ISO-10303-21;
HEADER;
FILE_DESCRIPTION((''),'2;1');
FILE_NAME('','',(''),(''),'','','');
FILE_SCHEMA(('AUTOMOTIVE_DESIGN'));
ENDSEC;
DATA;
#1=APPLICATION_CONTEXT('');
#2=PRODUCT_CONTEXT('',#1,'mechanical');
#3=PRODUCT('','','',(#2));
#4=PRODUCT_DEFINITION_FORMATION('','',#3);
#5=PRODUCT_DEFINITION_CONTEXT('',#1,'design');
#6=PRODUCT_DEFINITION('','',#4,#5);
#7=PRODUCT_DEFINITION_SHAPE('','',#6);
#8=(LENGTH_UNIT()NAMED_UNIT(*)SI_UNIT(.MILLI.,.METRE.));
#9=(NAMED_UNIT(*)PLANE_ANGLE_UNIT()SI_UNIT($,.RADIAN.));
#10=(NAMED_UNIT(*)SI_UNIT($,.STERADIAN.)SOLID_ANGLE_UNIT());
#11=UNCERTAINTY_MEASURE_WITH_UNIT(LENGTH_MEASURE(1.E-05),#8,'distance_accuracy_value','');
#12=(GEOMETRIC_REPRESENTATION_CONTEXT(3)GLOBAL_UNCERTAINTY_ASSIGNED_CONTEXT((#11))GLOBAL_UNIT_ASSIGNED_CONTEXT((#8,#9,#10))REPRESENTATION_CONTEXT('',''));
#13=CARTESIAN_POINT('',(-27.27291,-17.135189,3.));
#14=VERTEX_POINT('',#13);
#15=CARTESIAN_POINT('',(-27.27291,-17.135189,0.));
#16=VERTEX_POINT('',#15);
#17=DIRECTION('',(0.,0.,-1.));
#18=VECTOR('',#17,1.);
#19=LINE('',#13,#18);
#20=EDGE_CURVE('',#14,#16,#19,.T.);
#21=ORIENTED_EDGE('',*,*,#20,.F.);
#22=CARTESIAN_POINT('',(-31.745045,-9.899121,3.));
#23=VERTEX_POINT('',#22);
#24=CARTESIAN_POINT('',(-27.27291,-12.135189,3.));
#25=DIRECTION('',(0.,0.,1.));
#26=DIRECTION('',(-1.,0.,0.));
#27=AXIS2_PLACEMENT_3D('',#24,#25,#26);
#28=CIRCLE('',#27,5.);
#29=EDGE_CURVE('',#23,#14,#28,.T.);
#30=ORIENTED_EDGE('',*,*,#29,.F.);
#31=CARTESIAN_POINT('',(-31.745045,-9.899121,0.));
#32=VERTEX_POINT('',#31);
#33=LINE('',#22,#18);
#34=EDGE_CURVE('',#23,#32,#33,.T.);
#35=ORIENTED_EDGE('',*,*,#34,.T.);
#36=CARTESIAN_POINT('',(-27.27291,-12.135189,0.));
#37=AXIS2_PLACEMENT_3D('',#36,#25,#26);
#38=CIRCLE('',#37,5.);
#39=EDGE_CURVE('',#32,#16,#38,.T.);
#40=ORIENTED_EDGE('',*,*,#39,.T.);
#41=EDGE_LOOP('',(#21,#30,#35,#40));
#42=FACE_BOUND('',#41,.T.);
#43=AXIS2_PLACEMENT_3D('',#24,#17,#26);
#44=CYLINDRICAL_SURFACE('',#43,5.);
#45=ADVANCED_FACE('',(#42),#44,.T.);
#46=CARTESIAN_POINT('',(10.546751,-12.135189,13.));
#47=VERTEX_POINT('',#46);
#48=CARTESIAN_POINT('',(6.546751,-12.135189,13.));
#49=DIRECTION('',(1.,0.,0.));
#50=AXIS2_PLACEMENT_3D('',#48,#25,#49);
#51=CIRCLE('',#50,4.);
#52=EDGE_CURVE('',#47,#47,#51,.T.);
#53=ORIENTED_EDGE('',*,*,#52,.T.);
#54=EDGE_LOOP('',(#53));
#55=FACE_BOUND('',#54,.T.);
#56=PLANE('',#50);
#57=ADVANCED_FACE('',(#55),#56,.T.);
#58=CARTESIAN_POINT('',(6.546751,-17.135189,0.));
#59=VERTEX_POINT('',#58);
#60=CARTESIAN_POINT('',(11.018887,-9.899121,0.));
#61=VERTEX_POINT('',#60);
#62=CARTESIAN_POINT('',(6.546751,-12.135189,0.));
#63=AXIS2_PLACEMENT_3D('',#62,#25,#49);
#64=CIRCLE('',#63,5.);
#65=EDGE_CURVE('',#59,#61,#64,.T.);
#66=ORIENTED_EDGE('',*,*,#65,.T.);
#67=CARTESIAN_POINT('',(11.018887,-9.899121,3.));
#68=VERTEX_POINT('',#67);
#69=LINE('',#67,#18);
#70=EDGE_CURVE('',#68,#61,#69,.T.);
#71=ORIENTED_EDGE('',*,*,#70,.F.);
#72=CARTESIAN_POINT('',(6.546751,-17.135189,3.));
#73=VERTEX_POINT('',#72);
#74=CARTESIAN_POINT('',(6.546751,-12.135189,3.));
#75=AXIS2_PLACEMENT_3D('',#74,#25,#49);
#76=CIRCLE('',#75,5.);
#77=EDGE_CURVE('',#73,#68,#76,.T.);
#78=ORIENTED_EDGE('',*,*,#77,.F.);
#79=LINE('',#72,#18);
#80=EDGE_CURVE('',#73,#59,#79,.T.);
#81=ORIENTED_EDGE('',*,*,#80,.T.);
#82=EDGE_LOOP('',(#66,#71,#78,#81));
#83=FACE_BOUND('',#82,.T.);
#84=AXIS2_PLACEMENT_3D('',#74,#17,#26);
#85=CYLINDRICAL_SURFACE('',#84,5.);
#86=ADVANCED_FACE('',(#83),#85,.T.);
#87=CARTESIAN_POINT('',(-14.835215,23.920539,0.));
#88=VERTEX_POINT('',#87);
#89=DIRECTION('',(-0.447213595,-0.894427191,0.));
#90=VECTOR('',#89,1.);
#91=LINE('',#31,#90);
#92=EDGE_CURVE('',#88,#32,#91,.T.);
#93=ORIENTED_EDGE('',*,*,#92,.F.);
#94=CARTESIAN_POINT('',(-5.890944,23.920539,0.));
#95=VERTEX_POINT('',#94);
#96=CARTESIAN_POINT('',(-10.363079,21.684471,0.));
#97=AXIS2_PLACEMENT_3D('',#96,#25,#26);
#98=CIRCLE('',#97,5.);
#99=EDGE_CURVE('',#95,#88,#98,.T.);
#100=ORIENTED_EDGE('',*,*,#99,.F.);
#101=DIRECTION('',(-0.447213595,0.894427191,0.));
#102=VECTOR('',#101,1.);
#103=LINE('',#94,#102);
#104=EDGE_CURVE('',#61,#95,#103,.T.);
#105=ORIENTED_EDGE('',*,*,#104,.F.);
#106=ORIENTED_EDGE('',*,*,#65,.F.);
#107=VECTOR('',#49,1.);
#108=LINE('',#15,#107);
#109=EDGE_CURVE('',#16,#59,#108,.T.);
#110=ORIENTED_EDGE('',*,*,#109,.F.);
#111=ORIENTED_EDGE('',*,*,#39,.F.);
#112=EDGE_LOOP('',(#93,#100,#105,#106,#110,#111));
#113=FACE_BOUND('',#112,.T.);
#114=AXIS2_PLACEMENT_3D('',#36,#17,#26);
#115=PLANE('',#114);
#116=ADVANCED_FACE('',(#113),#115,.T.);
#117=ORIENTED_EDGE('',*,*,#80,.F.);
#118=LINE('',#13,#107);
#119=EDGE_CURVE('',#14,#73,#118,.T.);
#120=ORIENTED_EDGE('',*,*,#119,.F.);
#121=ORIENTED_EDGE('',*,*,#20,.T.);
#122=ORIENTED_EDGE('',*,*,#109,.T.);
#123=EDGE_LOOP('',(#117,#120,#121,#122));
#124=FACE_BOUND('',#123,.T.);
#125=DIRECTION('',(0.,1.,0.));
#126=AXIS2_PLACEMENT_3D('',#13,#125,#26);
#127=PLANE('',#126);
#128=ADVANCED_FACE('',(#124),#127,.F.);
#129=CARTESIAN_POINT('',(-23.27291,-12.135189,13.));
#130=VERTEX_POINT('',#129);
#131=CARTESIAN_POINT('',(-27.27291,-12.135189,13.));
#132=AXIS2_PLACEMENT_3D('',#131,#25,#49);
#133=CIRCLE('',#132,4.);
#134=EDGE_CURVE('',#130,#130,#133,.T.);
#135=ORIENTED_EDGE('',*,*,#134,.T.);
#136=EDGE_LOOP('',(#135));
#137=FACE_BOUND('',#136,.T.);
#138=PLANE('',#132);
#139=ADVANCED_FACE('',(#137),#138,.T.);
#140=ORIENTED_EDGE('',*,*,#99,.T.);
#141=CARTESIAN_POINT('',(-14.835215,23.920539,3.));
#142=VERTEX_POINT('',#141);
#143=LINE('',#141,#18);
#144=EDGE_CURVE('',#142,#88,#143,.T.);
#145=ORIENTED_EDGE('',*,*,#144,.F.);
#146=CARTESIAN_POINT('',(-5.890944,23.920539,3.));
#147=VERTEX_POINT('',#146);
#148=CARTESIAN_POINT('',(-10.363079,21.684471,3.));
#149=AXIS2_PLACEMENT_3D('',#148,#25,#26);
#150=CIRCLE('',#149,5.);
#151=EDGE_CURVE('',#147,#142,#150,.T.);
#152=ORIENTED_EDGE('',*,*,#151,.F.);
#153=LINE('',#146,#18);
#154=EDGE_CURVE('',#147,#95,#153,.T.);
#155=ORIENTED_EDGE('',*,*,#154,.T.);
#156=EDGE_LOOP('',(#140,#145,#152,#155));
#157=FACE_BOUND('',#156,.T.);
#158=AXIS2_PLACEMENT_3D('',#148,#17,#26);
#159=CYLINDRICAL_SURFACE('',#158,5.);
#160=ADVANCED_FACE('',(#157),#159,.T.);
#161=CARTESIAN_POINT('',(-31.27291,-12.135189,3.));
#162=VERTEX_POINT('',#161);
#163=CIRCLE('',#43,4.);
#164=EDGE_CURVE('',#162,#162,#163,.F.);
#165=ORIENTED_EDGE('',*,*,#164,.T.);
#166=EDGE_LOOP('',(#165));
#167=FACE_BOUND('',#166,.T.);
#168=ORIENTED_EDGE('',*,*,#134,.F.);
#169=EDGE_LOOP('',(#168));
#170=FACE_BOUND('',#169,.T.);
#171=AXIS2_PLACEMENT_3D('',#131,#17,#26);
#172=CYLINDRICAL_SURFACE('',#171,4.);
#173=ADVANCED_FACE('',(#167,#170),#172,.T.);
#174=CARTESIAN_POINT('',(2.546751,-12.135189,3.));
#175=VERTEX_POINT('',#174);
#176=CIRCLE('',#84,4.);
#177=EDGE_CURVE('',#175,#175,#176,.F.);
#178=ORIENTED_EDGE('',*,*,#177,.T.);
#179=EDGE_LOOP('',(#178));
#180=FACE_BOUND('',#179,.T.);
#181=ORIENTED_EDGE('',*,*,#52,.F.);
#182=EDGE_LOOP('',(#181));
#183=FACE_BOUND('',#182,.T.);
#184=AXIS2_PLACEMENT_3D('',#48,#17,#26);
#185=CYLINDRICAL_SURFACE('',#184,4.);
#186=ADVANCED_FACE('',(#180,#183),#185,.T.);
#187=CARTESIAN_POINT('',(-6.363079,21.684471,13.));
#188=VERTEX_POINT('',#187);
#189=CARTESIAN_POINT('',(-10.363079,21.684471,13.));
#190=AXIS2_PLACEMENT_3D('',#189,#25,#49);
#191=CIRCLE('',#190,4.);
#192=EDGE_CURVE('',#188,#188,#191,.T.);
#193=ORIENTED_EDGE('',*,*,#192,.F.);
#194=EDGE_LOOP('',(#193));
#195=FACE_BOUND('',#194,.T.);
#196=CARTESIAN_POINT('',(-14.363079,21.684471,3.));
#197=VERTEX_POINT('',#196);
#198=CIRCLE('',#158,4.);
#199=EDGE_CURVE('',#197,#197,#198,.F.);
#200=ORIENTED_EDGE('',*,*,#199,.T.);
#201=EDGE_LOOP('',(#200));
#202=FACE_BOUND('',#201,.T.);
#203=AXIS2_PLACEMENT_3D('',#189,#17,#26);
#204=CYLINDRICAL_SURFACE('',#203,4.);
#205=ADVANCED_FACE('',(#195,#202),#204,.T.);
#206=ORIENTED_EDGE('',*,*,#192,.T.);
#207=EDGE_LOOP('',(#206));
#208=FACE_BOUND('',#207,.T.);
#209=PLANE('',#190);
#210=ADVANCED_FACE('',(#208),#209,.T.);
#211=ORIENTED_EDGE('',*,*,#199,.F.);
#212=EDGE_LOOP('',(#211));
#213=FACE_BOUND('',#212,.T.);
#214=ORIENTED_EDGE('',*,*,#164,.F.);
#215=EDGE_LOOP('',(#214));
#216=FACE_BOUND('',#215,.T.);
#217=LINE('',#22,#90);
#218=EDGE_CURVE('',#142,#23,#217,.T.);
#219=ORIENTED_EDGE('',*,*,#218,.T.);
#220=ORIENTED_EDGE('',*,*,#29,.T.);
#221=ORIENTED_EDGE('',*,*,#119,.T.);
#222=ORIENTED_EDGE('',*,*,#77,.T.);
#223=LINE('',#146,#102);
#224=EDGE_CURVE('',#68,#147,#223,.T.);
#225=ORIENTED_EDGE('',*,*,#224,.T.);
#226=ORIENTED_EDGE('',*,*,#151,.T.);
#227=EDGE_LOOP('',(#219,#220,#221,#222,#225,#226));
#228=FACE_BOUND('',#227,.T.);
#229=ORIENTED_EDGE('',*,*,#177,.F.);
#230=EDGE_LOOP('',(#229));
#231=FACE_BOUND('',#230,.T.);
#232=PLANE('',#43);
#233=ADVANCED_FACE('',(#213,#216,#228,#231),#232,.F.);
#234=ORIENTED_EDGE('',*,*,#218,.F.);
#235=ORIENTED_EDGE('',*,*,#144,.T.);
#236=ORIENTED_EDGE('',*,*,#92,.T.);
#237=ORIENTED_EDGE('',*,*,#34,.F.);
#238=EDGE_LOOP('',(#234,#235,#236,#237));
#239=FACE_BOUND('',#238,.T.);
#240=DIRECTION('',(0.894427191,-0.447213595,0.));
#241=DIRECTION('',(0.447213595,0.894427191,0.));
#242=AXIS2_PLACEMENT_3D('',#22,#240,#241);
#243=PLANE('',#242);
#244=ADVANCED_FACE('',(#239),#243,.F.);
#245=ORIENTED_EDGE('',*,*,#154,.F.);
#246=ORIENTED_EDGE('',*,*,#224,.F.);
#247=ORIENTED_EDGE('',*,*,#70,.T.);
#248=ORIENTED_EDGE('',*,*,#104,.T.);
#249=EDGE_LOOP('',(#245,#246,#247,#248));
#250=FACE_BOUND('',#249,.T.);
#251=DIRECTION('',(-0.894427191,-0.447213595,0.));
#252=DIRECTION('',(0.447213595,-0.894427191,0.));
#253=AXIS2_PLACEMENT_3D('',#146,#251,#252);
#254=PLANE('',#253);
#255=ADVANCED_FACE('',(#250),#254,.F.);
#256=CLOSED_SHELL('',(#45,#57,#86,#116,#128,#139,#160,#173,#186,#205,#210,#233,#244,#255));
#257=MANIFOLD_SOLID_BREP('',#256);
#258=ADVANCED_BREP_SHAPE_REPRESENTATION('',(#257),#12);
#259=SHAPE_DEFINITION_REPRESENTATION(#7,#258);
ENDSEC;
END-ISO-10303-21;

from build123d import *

# Parameters (mm, degrees)
SALIENTE_EXTRUIR1_DEPTH = 3
CROQUIS2_R              = 4
SALIENTE_EXTRUIR2_DEPTH = 10


with BuildPart() as part:
    # Croquis1 → Saliente-Extruir1 (new body)
    with BuildSketch(Plane.XY):
        with BuildLine():
            Line((-27.272909543, -17.135189149), (6.546750569, -17.135189149))
            ThreePointArc((6.546750569, -17.135189149), (10.800004611, -14.76384471), (11.018886524, -9.899121172))
            Line((11.018886524, -9.899121172), (-5.890943532, 23.920538941))
            ThreePointArc((-5.890943532, 23.920538941), (-10.363079487, 26.684470963), (-14.835215442, 23.920538941))
            Line((-14.835215442, 23.920538941), (-31.745045498, -9.899121172))
            ThreePointArc((-31.745045498, -9.899121172), (-31.526163585, -14.76384471), (-27.272909543, -17.135189149))
        make_face()
    extrude(amount=SALIENTE_EXTRUIR1_DEPTH)

    # Croquis2 → Saliente-Extruir2 (add)
    with BuildSketch(Plane.XY.offset(3)):
        with Locations(Location((-10.363079487, 21.684470963, 0), (0, 0, 180))):
            Circle(CROQUIS2_R)
        with Locations(Location((-27.272909543, -12.135189149, 0), (0, 0, 180))):
            Circle(CROQUIS2_R)
        with Locations(Location((6.546750569, -12.135189149, 0), (0, 0, 180))):
            Circle(CROQUIS2_R)
    extrude(amount=SALIENTE_EXTRUIR2_DEPTH)


solid = part.part
